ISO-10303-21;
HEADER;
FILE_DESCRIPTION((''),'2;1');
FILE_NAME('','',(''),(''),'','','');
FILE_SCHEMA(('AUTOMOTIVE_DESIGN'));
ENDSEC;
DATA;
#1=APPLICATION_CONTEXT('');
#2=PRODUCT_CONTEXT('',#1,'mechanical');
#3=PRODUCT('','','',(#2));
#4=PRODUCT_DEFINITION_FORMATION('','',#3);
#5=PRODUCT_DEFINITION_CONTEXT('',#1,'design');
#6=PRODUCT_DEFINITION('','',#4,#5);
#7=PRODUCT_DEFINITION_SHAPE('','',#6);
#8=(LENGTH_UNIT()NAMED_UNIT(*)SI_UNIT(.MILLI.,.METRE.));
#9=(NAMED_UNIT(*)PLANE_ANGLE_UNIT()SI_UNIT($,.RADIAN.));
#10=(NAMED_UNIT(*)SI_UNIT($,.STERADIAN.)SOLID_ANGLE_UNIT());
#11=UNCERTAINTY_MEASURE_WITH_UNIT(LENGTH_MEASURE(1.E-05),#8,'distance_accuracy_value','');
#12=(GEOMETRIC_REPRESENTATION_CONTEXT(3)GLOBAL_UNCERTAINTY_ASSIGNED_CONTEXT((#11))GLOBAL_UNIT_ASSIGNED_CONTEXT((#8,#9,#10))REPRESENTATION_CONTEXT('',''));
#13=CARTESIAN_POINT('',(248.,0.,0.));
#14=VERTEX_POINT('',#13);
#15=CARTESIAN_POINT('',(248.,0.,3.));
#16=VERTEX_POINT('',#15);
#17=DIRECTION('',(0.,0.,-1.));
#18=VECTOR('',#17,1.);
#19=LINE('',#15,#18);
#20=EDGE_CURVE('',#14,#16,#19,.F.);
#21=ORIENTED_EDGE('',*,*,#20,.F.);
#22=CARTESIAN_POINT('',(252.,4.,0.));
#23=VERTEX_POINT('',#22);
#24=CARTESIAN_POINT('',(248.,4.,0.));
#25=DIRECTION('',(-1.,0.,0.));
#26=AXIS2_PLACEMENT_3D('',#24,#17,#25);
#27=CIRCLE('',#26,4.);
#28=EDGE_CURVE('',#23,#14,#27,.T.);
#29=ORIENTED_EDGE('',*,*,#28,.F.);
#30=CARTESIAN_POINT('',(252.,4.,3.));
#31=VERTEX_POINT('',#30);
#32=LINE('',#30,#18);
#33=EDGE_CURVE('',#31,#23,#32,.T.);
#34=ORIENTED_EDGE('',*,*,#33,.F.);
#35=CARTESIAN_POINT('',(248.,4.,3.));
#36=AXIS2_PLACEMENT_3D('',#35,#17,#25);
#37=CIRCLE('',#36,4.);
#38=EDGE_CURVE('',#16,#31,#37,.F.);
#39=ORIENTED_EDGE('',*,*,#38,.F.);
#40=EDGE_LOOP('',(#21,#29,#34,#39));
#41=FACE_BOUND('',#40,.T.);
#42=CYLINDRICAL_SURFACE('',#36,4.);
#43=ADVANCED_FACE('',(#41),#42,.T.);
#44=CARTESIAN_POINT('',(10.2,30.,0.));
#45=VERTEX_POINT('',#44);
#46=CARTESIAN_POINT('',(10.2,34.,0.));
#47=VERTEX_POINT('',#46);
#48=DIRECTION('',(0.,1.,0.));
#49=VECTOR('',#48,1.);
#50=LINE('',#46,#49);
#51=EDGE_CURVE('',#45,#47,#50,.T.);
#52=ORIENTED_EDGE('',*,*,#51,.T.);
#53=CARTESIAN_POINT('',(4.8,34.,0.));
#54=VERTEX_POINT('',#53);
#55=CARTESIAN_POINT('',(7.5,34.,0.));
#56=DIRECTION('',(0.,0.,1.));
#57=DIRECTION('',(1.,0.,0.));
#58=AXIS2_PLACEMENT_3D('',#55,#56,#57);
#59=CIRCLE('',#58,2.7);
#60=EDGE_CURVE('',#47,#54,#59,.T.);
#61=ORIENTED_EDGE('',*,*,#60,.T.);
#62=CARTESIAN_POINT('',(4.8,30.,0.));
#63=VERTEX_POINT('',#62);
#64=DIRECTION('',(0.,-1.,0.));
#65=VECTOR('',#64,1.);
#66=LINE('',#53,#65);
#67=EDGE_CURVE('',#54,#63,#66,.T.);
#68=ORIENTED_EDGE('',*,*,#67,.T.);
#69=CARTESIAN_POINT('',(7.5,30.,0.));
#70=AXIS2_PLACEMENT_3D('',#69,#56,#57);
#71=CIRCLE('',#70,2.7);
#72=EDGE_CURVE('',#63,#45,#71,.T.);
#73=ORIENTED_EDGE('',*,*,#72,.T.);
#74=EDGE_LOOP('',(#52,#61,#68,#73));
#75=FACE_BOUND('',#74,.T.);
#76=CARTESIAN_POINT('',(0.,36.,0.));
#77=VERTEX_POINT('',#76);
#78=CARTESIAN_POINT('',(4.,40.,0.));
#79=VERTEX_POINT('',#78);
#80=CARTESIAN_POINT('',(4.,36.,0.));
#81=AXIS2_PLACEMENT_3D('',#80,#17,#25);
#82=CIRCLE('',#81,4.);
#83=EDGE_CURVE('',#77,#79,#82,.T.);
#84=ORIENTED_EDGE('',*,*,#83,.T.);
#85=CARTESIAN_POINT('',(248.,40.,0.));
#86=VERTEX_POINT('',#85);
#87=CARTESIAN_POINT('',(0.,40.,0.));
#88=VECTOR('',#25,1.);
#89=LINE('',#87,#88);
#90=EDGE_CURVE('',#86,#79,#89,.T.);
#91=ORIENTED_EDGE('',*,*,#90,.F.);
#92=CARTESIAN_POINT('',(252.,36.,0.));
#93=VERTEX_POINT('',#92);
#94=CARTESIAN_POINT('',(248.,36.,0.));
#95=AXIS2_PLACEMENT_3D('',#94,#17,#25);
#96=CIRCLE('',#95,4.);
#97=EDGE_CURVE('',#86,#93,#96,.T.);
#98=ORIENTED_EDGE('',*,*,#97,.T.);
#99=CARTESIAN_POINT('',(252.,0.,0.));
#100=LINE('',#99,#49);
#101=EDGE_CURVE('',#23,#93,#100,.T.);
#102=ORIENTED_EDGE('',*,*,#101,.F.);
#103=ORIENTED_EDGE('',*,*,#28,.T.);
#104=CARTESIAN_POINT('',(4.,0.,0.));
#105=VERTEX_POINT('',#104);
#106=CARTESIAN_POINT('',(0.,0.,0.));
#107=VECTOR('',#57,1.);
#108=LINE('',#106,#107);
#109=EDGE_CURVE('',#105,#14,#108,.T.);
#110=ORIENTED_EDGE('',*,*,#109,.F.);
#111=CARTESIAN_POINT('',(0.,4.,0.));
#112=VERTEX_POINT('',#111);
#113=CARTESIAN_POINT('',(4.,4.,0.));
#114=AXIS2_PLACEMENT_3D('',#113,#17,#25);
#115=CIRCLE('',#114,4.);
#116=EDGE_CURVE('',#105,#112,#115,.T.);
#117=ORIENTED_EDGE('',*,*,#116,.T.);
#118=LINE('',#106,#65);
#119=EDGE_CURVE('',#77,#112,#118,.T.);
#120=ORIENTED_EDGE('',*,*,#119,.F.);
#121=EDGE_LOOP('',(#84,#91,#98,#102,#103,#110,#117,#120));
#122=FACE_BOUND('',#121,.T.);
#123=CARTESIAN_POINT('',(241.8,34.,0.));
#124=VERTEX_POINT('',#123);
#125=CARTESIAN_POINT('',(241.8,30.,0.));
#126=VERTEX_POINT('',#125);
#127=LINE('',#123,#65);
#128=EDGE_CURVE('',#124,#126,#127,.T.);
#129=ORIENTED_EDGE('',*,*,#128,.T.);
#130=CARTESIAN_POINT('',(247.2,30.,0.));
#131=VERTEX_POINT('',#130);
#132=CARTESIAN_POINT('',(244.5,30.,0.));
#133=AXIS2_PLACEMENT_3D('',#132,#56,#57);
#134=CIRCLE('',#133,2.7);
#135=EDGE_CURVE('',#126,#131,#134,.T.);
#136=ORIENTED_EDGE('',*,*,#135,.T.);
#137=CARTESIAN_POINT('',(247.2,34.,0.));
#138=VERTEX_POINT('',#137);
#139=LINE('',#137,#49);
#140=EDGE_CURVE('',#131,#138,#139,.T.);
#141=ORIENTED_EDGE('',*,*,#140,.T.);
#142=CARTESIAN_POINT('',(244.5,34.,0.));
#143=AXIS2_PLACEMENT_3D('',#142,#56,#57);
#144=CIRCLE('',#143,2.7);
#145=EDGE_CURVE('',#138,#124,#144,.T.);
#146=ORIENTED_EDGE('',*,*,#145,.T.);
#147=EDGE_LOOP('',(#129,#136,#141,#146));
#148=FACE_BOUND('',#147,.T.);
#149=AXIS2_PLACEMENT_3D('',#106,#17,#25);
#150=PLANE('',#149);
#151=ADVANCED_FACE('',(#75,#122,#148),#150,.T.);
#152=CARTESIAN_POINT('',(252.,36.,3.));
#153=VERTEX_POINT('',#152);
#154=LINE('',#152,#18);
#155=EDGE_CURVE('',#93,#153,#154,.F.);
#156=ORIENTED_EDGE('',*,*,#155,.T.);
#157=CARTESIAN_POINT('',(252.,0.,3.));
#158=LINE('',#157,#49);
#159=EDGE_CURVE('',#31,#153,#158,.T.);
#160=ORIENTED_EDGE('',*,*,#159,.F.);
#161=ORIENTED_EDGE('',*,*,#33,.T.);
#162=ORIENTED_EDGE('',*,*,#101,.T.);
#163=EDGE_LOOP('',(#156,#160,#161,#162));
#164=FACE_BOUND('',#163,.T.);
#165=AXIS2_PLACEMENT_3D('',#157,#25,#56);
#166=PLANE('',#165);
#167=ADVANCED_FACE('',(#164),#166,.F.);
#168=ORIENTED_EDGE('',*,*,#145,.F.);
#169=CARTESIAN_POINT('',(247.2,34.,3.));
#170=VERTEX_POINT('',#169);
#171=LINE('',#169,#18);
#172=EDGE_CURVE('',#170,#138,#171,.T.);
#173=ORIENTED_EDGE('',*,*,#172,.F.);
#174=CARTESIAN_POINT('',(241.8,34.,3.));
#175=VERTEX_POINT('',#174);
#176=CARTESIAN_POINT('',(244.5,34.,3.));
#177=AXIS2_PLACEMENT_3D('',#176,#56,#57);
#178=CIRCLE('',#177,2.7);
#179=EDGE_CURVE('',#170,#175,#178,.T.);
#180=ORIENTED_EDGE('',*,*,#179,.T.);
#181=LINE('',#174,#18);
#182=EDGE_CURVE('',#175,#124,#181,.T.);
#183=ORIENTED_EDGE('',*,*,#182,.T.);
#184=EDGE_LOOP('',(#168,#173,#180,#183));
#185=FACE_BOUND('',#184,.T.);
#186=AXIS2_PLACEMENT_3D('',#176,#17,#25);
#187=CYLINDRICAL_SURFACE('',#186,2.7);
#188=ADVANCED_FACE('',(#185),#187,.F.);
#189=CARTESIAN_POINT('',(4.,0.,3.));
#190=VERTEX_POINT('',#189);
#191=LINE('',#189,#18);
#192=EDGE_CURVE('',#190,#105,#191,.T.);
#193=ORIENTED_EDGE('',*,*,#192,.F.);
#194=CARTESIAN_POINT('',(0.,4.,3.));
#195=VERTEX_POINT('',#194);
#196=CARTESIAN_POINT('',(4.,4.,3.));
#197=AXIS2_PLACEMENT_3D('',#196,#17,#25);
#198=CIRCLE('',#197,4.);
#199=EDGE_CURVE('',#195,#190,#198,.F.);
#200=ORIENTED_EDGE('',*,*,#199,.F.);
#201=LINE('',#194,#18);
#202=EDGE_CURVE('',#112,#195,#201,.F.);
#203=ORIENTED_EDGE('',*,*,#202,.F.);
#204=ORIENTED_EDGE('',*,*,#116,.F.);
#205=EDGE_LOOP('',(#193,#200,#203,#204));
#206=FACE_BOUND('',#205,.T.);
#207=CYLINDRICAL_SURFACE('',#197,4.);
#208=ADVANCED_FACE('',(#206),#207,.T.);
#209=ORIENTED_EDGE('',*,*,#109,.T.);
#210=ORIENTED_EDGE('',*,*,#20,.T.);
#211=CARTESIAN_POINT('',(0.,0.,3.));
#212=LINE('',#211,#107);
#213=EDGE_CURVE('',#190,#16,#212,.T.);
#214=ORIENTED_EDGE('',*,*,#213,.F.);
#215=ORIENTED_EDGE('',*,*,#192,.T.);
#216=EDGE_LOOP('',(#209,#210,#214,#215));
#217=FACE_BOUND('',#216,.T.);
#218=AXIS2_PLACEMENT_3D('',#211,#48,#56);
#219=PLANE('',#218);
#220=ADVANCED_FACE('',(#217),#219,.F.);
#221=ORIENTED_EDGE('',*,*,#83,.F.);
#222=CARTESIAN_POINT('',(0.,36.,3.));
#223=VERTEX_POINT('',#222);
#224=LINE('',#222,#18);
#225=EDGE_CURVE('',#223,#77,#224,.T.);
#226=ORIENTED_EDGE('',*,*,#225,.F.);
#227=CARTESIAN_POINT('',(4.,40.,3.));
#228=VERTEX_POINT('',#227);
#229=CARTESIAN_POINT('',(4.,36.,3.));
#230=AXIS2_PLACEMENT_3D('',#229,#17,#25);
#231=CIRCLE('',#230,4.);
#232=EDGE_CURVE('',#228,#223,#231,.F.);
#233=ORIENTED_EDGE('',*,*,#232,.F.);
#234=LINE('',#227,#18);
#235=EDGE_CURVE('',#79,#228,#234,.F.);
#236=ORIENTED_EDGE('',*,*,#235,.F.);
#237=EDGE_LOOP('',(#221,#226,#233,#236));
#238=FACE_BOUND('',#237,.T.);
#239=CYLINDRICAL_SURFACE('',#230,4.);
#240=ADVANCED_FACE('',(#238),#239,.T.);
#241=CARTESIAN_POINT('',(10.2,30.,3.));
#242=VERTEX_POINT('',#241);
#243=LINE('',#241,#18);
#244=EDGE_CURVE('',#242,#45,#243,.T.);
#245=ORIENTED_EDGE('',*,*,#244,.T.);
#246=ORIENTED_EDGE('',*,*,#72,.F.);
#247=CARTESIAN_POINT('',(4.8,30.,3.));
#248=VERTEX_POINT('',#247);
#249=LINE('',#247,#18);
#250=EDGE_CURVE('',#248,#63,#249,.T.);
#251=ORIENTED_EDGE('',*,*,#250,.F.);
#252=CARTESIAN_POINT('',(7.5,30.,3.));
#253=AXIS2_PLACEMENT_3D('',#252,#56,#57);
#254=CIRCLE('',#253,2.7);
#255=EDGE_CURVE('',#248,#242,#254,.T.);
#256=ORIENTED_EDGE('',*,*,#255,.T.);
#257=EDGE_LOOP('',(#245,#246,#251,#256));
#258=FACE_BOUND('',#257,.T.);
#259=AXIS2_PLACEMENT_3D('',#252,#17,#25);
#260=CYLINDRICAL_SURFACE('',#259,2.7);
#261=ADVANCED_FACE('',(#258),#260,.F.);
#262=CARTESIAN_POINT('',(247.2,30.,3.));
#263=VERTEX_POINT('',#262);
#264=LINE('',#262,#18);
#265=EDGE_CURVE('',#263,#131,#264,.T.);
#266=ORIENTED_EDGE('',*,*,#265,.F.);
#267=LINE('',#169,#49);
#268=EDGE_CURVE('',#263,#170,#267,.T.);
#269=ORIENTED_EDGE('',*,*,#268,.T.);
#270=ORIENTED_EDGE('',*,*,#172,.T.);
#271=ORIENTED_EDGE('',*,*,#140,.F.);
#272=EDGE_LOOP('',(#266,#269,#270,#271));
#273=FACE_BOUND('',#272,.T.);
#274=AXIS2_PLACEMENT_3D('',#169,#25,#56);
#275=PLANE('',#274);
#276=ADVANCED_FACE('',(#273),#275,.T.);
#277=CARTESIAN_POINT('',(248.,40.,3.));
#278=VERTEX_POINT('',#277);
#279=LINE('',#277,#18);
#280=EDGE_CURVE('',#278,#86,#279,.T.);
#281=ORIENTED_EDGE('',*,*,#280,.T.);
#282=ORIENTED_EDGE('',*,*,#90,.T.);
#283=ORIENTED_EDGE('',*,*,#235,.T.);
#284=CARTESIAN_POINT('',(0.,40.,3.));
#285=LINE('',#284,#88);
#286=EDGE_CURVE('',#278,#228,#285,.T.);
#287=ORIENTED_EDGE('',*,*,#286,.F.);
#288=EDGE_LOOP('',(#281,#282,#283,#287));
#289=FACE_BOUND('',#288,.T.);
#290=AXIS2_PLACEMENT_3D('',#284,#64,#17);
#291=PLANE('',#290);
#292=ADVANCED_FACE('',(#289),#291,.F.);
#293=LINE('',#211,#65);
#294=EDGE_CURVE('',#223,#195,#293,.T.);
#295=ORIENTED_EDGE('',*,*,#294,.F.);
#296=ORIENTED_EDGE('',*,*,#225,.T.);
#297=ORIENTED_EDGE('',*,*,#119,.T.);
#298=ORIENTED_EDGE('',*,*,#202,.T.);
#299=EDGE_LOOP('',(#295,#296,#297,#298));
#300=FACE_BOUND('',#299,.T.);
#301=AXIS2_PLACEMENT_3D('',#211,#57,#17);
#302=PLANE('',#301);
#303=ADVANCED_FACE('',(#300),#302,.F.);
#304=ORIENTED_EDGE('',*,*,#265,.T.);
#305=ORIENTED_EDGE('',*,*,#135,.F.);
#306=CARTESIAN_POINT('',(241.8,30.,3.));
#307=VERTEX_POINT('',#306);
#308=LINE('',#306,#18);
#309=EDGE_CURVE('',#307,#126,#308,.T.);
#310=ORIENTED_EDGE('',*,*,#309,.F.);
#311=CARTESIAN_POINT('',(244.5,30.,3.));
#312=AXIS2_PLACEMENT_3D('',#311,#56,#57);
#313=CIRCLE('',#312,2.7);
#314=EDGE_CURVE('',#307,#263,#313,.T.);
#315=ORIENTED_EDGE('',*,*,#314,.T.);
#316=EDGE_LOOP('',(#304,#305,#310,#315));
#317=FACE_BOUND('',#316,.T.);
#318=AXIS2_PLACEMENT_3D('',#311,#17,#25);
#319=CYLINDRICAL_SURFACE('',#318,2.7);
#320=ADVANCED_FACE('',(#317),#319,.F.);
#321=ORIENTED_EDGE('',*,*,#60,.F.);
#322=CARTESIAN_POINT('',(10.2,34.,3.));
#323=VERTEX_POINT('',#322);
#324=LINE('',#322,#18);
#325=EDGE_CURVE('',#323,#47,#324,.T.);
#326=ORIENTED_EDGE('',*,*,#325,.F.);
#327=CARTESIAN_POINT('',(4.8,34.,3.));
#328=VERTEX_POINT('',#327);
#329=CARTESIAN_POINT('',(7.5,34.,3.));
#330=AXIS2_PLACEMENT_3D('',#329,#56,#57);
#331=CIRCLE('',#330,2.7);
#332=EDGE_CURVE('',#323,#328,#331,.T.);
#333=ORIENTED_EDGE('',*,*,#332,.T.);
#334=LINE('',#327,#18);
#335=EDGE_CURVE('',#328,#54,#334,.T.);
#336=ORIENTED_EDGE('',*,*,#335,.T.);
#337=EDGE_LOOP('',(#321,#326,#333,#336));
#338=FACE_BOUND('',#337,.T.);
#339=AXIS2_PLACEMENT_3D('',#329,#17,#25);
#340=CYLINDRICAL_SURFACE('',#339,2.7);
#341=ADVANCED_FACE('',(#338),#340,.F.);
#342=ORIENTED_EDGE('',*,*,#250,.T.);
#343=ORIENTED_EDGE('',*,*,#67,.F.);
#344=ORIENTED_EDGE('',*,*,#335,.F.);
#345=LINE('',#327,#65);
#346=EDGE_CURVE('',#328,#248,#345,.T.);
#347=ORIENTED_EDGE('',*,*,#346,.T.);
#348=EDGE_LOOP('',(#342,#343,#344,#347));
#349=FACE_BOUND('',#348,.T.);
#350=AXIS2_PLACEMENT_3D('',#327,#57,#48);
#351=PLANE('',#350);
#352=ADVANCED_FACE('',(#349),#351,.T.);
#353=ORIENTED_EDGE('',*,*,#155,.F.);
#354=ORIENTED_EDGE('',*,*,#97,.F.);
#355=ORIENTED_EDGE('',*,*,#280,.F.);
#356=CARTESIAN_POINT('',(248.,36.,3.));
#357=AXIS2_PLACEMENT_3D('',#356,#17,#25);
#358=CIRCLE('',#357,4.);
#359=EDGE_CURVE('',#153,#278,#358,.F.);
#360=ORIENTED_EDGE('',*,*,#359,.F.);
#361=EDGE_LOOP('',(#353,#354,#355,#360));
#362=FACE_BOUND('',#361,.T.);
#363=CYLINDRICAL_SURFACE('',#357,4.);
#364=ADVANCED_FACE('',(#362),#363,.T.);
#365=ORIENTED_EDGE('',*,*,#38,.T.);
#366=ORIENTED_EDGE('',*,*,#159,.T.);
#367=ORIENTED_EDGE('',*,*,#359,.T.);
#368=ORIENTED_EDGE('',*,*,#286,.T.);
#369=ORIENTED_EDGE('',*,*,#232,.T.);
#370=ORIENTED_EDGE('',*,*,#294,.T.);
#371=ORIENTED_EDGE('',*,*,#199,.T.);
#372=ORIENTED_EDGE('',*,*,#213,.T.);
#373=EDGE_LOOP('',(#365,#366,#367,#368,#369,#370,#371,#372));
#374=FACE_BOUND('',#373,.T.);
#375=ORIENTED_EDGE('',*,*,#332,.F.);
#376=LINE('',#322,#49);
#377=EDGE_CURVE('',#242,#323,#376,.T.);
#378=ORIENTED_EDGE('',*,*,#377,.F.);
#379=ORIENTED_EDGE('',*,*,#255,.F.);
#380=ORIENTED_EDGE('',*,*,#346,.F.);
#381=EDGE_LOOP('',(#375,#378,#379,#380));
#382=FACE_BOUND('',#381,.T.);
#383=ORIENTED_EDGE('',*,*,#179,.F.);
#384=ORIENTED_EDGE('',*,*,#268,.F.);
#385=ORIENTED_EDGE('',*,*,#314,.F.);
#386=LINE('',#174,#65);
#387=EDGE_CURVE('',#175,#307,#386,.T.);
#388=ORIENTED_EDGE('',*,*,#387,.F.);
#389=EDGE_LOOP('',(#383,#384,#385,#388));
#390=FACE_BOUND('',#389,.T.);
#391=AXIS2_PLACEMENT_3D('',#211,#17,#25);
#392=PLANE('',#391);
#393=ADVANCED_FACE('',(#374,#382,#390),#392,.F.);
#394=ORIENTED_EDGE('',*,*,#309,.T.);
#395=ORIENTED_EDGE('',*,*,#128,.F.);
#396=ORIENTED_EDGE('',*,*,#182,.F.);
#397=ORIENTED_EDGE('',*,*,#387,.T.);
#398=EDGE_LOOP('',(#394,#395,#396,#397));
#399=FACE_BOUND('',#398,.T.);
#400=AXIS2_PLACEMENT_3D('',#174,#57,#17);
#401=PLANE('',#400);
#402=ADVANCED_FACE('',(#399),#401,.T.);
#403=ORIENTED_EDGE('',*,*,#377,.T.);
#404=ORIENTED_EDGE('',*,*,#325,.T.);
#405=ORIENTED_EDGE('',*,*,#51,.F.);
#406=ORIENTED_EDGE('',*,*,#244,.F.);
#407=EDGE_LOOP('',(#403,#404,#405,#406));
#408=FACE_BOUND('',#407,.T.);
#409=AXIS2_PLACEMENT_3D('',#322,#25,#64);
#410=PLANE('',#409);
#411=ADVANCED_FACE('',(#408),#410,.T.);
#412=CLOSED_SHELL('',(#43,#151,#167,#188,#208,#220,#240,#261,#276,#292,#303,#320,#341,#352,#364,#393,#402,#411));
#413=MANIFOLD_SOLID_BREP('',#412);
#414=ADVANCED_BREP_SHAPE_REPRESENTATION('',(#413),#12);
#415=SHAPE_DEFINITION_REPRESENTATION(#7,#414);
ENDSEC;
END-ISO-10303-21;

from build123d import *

# Parameters (mm, degrees)
SKETCH1_W           = 252
SKETCH1_H           = 40
BOSS_EXTRUDE1_DEPTH = 3
FILLET1_R           = 4


with BuildPart() as part:
    # Sketch1 → Boss-Extrude1 (new body)
    with BuildSketch(Plane.XY):
        with Locations((126, 20)):
            Rectangle(SKETCH1_W, SKETCH1_H)
        with BuildLine():
            Line((10.2, 34), (10.2, 30))
            ThreePointArc((10.2, 30), (7.5, 27.3), (4.8, 30))
            Line((4.8, 30), (4.8, 34))
            ThreePointArc((4.8, 34), (7.5, 36.7), (10.2, 34))
        make_face(mode=Mode.SUBTRACT)
        with BuildLine():
            Line((247.2, 34), (247.2, 30))
            ThreePointArc((247.2, 30), (244.5, 27.3), (241.8, 30))
            Line((241.8, 30), (241.8, 34))
            ThreePointArc((241.8, 34), (244.5, 36.7), (247.2, 34))
        make_face(mode=Mode.SUBTRACT)
    extrude(amount=BOSS_EXTRUDE1_DEPTH)

    # Fillet1
    fillet1_edges = [part.edges().sort_by_distance(p)[0] for p in [
        (0, 40, 1.5),
        (252, 40, 1.5),
        (252, 0, 1.5),
        (0, 0, 1.5),
    ]]
    fillet(fillet1_edges, radius=FILLET1_R)


solid = part.part
